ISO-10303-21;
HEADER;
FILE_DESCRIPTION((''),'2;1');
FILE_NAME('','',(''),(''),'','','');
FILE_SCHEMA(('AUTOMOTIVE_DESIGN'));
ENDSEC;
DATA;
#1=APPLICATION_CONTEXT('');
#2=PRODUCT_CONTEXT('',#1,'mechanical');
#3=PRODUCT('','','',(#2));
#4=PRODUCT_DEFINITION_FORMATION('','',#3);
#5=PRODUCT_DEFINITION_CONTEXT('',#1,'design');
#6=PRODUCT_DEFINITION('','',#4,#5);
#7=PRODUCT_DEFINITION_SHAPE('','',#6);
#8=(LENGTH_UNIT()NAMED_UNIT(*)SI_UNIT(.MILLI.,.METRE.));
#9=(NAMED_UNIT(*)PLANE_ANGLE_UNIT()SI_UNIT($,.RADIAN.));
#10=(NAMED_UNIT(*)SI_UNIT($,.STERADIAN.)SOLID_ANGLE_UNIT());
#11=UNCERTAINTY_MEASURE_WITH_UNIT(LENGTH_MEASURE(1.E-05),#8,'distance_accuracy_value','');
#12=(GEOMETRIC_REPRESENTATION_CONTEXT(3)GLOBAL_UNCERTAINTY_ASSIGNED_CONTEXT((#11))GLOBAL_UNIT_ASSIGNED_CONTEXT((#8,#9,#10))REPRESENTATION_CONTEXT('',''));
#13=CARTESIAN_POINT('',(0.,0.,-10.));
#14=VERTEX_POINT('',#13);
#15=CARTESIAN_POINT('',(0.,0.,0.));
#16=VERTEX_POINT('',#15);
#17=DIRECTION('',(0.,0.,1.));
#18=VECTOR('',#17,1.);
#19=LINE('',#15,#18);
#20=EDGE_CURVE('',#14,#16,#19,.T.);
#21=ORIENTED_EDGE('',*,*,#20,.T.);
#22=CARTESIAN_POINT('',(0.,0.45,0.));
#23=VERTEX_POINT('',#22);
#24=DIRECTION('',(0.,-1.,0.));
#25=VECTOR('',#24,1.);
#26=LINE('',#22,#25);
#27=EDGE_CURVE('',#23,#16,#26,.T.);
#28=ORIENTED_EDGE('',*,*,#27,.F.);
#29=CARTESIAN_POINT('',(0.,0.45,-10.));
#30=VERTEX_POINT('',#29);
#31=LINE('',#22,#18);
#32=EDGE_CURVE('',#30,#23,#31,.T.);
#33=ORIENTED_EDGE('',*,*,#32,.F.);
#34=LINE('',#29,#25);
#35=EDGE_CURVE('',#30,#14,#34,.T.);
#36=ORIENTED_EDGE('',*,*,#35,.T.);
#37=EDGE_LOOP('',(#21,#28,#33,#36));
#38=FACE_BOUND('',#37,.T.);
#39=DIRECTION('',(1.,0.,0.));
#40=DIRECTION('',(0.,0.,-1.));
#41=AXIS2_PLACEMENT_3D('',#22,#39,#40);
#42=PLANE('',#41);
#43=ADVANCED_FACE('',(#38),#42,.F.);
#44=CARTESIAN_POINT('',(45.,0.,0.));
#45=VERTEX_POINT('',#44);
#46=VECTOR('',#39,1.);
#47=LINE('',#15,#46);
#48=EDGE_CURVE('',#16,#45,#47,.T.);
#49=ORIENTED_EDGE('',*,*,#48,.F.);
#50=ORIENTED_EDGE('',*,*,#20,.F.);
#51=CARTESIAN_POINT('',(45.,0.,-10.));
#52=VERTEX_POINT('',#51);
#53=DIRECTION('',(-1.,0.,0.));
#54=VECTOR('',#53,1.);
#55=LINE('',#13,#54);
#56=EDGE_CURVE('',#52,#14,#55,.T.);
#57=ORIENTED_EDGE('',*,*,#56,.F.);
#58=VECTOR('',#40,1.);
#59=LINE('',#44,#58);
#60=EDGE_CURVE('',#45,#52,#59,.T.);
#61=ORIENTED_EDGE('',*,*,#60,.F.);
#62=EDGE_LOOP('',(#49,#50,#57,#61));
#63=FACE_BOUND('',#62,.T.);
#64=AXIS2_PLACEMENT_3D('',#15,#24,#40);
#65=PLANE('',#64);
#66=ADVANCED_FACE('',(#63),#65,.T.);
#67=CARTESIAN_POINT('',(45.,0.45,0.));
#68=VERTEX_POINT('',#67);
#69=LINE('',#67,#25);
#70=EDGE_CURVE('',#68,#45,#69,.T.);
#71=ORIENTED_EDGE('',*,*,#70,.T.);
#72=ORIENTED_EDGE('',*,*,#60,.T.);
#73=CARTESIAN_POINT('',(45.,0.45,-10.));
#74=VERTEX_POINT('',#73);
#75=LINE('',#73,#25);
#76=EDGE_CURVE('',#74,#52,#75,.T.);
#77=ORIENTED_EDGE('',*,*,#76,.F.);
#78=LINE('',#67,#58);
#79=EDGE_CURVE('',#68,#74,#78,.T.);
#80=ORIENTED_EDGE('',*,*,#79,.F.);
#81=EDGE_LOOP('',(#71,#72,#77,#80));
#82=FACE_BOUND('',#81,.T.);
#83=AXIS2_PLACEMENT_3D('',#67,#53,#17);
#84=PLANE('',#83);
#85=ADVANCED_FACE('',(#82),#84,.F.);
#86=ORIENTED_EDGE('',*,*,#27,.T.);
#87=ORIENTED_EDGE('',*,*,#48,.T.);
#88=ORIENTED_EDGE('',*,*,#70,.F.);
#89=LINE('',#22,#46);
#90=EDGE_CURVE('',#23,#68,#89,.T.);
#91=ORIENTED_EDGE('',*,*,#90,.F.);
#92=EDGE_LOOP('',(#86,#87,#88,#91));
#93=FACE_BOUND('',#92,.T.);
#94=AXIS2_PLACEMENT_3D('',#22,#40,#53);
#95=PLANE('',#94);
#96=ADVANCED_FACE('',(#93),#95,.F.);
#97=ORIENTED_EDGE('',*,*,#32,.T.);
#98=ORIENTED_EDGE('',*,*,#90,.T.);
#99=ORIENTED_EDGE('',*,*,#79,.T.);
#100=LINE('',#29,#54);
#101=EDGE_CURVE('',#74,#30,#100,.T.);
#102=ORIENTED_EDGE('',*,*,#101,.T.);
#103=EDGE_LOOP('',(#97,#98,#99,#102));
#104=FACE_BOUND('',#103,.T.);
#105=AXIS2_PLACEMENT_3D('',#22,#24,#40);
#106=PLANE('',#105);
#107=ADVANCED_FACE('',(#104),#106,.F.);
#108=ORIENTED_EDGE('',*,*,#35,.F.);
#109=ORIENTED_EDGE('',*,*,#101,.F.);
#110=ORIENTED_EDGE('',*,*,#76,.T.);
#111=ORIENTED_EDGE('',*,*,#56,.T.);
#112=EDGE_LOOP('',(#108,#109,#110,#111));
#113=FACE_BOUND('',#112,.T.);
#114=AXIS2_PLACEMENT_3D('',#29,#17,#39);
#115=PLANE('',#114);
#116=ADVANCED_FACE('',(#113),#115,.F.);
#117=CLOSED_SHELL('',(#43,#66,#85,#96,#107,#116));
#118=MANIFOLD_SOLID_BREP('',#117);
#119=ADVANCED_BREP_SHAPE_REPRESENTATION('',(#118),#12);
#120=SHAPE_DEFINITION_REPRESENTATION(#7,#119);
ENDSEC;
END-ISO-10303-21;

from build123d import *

# Parameters (mm, degrees)
SKETCH_1_W      = 45
SKETCH_1_H      = 10
EXTRUDE_1_DEPTH = 0.45


with BuildPart() as part:
    # 草图1 → 凸台-拉伸1 (new body)
    with BuildSketch(Plane(origin=(0, 0, 0), x_dir=(1, 0, 0), z_dir=(0, 1, 0))):
        with Locations((22.5, 5)):
            Rectangle(SKETCH_1_W, SKETCH_1_H)
    extrude(amount=EXTRUDE_1_DEPTH)


solid = part.part
